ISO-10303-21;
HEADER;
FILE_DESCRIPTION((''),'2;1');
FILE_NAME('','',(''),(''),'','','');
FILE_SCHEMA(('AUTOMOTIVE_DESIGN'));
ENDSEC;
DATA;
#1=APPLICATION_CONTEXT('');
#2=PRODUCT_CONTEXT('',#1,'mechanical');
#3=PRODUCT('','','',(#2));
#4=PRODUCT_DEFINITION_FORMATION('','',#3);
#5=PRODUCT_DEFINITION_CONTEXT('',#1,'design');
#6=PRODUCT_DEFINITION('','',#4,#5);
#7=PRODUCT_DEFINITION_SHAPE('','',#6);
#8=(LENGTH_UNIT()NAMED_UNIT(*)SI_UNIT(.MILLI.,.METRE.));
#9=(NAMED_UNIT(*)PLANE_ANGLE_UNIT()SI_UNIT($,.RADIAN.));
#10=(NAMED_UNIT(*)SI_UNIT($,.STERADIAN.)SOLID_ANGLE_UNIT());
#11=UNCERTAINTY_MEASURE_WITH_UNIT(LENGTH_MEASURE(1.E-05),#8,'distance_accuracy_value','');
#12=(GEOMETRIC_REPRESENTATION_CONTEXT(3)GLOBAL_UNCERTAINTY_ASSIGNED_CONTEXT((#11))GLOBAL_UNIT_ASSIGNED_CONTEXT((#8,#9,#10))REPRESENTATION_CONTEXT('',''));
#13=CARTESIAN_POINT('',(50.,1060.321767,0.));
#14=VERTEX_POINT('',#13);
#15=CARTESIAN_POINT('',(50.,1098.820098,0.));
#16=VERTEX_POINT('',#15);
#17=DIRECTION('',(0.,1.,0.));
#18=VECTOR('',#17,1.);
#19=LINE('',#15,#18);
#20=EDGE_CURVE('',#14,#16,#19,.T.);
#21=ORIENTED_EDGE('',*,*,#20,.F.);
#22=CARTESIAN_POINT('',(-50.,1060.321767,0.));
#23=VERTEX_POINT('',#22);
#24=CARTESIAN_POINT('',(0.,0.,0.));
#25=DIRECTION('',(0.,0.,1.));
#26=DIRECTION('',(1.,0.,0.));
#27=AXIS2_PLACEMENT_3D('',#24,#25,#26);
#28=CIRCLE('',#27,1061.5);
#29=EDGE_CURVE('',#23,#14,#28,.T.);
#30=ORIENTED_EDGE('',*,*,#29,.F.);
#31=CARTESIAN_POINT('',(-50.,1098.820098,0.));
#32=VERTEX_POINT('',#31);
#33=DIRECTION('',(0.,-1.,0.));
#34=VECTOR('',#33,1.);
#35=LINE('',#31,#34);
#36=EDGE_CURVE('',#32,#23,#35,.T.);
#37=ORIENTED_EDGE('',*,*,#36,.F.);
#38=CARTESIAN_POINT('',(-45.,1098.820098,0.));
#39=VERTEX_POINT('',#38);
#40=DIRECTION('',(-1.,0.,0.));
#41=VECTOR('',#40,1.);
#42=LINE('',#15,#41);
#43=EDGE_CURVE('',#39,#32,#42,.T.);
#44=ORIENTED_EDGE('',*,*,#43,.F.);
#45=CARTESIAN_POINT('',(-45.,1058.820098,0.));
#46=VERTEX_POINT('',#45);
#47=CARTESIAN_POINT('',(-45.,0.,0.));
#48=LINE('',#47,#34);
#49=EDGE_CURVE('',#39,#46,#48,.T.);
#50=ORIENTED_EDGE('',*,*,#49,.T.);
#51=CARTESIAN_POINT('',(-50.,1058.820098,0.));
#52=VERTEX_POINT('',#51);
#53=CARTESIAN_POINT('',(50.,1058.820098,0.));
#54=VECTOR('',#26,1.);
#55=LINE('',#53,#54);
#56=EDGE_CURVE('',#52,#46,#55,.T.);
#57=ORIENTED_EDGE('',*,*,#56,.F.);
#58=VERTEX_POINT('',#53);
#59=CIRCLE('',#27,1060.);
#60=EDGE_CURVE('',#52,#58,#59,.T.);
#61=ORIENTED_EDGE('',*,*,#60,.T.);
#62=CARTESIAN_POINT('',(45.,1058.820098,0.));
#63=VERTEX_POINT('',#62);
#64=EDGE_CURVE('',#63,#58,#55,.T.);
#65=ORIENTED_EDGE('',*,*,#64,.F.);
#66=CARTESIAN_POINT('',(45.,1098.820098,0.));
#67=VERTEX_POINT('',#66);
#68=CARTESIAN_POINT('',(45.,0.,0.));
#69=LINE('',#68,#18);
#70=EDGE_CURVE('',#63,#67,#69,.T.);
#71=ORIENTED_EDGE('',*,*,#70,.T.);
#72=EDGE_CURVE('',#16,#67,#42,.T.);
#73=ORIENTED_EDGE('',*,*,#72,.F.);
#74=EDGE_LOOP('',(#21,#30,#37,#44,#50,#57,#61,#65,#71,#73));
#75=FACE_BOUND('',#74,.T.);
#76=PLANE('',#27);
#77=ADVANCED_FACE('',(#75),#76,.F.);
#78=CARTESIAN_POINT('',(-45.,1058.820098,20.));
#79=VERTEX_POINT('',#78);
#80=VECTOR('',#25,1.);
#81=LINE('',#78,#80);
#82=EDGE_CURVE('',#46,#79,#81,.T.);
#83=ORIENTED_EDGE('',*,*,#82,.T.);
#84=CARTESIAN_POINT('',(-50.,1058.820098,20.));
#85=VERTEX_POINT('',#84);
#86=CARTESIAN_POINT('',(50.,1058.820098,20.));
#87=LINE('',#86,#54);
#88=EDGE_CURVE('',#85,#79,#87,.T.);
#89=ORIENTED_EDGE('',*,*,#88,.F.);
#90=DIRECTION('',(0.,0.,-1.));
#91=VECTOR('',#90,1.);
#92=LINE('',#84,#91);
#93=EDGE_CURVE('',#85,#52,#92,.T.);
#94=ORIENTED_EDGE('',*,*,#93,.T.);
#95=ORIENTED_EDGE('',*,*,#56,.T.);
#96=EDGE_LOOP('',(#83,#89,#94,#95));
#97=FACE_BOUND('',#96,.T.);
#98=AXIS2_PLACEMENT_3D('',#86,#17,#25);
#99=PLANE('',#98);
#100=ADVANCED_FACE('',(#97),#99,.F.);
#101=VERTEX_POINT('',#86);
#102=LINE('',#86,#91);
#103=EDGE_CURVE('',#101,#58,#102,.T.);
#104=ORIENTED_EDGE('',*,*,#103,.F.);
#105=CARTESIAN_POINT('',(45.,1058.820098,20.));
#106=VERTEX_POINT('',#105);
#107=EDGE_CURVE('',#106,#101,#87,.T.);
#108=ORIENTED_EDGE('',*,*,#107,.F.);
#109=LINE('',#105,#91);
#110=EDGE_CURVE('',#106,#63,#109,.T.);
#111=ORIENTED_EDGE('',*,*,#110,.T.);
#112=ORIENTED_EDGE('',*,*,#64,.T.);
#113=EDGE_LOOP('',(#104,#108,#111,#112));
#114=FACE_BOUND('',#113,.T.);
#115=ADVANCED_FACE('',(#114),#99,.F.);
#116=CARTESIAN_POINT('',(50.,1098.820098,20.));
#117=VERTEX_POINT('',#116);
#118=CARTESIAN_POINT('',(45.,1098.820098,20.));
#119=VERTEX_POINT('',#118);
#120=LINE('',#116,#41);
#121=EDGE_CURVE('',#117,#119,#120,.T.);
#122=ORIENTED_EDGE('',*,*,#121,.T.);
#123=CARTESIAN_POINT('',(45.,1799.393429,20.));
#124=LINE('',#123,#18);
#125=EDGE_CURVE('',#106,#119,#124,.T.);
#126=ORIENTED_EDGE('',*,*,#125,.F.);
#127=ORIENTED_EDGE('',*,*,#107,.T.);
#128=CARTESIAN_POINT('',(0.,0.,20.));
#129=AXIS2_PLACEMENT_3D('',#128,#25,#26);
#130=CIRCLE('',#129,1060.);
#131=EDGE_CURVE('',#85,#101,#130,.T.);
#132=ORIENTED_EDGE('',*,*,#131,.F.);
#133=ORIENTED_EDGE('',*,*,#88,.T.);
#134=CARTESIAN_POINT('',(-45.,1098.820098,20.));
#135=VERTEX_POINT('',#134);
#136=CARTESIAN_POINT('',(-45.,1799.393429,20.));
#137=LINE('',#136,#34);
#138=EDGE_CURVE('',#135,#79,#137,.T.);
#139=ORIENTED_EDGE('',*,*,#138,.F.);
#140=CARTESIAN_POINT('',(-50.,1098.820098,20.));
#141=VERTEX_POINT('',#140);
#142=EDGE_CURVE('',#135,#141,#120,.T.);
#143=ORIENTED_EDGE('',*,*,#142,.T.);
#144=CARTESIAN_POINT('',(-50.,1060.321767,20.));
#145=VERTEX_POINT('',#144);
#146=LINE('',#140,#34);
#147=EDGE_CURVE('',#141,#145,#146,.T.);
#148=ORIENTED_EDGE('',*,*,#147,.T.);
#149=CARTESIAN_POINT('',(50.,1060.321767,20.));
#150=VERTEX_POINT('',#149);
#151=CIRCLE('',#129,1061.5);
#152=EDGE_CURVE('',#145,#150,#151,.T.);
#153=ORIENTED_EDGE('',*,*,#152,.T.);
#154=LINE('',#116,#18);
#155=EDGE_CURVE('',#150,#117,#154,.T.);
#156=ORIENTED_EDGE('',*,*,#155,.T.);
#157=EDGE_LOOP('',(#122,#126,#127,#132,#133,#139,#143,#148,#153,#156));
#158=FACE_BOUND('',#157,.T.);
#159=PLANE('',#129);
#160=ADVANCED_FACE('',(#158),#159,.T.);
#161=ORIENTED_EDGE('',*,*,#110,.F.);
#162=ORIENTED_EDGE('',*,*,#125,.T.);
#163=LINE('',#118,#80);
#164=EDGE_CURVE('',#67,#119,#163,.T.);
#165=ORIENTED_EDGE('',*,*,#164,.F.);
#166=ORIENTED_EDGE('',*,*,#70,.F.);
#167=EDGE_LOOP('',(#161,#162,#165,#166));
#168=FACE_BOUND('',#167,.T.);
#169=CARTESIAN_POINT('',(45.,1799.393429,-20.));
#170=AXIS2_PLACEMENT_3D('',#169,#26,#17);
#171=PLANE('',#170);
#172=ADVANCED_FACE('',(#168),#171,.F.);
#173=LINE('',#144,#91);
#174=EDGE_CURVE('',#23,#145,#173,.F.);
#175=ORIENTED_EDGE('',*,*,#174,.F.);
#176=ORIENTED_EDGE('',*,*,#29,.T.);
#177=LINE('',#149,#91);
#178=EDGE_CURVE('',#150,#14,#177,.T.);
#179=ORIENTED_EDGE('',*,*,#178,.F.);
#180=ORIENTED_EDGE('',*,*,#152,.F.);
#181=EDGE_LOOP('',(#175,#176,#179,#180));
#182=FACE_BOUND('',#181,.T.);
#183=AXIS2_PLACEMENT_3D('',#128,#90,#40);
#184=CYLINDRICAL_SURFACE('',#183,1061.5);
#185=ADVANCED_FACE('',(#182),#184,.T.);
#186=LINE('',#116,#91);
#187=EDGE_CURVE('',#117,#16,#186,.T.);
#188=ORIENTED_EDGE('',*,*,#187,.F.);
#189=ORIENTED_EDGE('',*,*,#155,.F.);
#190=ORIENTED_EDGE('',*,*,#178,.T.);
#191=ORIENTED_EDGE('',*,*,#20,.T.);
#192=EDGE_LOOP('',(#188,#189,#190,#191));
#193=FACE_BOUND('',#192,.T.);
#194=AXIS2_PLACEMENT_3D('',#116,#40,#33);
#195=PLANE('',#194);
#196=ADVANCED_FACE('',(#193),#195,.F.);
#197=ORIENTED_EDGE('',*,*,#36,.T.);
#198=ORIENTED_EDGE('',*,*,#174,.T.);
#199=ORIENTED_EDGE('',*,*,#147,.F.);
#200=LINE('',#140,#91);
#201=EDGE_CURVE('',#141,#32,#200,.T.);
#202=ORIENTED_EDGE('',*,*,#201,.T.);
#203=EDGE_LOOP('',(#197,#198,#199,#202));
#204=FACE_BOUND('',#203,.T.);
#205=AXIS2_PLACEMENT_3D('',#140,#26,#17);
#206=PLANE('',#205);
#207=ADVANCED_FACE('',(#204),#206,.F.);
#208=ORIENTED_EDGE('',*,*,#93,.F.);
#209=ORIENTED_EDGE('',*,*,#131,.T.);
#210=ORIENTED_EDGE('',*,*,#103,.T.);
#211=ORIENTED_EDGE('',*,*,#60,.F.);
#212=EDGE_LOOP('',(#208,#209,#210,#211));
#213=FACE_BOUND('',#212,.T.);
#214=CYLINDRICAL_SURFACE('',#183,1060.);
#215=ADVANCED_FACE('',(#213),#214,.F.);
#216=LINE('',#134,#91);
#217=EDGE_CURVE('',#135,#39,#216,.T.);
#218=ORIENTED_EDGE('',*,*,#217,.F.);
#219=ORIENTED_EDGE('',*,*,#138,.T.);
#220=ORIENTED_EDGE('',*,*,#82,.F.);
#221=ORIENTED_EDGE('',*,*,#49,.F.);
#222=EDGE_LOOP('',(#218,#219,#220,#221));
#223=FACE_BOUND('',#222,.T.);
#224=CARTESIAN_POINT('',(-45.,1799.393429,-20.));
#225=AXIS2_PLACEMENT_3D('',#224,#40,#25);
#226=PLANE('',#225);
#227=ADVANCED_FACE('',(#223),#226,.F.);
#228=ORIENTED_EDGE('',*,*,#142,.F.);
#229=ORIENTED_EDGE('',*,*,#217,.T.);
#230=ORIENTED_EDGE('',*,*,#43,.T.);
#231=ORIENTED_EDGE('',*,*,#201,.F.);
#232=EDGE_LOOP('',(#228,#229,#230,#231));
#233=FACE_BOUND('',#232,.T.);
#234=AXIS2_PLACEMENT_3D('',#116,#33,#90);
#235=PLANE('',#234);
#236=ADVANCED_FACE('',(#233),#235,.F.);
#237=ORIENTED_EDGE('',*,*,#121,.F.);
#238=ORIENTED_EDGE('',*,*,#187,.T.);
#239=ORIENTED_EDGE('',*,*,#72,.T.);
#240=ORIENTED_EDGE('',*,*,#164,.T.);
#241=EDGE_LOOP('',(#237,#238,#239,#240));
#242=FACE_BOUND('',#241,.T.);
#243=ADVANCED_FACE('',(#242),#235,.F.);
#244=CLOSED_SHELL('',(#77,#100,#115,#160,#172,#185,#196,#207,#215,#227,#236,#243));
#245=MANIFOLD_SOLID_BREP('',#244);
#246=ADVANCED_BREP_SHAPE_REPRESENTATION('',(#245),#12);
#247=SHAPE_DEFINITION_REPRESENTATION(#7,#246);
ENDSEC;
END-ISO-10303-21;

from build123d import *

# Parameters (mm, degrees)
SKETCH1_R           = 1061.5
SKETCH1_R_2         = 1060
BOSS_EXTRUDE1_DEPTH = 20
SKETCH2_W           = 100
SKETCH2_H           = 40
BOSS_EXTRUDE2_DEPTH = 20
SKETCH3_W           = 90
SKETCH3_H           = 856.926070381
CUT_EXTRUDE1_DEPTH  = 40


with BuildPart() as part:
    # Sketch1 → Boss-Extrude1 (new body)
    with BuildSketch(Plane.XY):
        Circle(SKETCH1_R)
        Circle(SKETCH1_R_2, mode=Mode.SUBTRACT)
    extrude(amount=BOSS_EXTRUDE1_DEPTH)

    # Sketch2 → Boss-Extrude2 (add)
    with BuildSketch(Plane.XY):
        with Locations((0, 1078.820098034)):
            Rectangle(SKETCH2_W, SKETCH2_H)
    extrude(amount=BOSS_EXTRUDE2_DEPTH)

    # Sketch3 → Cut-Extrude1 (cut)
    with BuildSketch(Plane.XY.offset(20)):
        with Locations((0, 1370.93039413)):
            Rectangle(SKETCH3_W, SKETCH3_H)
    extrude(amount=-CUT_EXTRUDE1_DEPTH, mode=Mode.SUBTRACT)


solid = part.part
